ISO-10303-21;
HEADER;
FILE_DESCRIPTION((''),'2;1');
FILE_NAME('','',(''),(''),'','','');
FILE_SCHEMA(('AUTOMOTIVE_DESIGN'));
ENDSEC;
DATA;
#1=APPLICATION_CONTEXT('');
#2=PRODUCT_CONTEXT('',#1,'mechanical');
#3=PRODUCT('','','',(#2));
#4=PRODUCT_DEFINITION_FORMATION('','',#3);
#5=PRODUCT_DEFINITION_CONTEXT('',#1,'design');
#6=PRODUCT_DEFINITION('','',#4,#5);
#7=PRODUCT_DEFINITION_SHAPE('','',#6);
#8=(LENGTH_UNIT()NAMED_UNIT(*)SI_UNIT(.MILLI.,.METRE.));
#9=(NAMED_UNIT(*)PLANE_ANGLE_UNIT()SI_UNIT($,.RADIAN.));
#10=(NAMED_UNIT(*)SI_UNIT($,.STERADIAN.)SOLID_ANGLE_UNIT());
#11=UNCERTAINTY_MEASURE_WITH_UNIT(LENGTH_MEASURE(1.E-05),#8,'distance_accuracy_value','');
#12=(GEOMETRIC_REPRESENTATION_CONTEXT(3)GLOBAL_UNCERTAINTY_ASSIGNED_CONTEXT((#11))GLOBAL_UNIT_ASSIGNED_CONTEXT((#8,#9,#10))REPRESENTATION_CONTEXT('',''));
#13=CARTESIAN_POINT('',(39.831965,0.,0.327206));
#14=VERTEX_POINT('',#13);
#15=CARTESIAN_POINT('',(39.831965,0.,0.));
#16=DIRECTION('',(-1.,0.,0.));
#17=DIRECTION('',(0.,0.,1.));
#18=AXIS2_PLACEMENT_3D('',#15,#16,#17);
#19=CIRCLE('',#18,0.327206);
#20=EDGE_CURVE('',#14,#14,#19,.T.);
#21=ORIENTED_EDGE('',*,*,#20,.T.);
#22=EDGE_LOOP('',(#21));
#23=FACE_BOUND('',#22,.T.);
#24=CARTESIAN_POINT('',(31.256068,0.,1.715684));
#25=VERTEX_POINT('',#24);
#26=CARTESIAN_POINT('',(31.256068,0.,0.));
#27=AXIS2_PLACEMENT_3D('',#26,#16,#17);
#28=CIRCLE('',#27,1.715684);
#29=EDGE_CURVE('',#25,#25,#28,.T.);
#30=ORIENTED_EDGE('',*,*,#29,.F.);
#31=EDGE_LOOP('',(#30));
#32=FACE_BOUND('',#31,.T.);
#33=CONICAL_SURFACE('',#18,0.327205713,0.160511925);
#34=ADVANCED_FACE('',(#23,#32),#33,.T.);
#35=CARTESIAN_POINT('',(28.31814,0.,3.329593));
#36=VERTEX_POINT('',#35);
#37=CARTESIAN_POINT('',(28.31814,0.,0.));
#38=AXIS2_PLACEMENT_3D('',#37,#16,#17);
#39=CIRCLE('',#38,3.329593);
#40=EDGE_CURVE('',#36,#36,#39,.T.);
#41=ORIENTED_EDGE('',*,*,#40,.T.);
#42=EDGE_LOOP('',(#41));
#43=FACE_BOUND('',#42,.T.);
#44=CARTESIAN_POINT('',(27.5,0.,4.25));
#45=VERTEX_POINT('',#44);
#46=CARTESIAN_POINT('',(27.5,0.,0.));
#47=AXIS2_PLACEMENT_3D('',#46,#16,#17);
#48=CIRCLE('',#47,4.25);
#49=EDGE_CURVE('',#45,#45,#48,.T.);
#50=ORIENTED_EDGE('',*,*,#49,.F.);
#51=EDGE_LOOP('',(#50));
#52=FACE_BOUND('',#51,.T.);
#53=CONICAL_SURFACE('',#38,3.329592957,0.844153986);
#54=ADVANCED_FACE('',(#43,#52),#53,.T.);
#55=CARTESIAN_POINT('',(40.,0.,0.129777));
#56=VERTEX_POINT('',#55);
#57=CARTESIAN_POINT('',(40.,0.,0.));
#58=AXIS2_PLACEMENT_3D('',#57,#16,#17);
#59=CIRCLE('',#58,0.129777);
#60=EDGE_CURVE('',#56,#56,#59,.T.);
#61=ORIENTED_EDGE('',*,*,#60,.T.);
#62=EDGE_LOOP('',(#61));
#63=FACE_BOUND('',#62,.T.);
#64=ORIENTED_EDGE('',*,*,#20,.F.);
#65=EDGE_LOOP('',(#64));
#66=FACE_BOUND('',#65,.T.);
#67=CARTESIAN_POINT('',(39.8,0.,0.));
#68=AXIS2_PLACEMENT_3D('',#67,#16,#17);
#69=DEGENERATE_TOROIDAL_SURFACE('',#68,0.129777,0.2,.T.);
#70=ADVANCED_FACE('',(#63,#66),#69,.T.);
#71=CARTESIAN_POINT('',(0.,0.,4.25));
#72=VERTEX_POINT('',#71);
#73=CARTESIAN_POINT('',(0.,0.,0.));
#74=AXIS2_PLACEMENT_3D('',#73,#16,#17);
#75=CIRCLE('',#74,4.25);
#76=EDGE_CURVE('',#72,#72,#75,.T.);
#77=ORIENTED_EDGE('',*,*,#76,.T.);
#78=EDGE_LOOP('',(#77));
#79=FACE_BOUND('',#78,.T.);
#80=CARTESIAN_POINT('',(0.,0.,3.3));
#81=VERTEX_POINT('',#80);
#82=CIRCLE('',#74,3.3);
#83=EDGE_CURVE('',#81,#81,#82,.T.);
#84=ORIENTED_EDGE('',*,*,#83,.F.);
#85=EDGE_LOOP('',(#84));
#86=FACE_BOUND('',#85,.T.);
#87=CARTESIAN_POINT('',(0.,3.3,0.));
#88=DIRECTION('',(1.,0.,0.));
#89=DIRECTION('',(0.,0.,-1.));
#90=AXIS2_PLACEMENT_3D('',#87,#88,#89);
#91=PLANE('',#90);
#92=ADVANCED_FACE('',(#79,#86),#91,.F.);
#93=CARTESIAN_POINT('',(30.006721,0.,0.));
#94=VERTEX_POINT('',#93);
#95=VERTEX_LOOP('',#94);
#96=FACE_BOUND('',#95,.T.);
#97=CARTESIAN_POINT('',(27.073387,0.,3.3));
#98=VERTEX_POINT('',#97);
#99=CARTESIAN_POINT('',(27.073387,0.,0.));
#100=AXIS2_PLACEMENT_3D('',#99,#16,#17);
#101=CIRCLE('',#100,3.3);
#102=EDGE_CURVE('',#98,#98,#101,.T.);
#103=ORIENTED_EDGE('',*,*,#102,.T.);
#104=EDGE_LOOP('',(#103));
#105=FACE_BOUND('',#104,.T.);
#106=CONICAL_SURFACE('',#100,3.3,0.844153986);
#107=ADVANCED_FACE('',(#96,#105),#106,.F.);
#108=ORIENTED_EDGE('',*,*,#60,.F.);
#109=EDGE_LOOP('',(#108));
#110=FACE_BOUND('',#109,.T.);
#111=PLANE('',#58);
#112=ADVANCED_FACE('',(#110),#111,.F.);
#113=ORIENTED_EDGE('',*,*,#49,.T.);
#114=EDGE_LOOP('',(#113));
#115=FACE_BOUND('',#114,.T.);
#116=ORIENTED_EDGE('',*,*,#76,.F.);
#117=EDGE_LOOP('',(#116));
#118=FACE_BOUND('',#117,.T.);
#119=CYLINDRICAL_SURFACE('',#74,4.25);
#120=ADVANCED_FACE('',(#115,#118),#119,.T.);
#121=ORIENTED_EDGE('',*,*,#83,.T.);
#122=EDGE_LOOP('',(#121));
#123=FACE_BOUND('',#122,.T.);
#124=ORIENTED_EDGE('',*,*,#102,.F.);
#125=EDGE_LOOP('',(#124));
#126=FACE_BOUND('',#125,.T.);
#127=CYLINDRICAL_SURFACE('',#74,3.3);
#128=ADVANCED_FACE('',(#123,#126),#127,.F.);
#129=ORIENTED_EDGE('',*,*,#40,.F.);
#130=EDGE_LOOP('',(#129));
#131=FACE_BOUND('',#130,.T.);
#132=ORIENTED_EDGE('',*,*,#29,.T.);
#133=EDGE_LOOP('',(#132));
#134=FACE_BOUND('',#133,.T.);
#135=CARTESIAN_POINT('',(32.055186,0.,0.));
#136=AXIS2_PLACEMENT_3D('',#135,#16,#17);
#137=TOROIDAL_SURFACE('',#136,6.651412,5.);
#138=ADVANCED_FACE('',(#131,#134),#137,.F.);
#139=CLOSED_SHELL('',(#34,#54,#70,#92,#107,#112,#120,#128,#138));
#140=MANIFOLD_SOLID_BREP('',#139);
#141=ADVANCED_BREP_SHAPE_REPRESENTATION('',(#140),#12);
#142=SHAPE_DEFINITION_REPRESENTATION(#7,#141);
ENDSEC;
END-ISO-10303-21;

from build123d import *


with BuildPart() as part:
    # Esquisse1 → Révolution1 (revolve)
    with BuildSketch(Plane.XY):
        with BuildLine():
            Line((0, 3.3), (0, 4.25))
            Line((0, 4.25), (0.95, 4.25))
            Line((0.95, 4.25), (27.5, 4.25))
            Line((27.5, 4.25), (28.318139594, 3.329592957))
            ThreePointArc((28.318139594, 3.329592957), (29.647828221, 2.26910367), (31.256068325, 1.715684176))
            Line((31.256068325, 1.715684176), (39.831964715, 0.327205713))
            ThreePointArc((39.831964715, 0.327205713), (39.952303879, 0.259405019), (40, 0.129776594))
            Line((40, 0.129776594), (40, 0))
            Line((40, 0), (30.006720572, 0))
            Line((30.006720572, 0), (27.073387239, 3.3))
            Line((27.073387239, 3.3), (0, 3.3))
        make_face()
    revolve(axis=Axis((0, 0, 0), (1, 0, 0)))


solid = part.part
